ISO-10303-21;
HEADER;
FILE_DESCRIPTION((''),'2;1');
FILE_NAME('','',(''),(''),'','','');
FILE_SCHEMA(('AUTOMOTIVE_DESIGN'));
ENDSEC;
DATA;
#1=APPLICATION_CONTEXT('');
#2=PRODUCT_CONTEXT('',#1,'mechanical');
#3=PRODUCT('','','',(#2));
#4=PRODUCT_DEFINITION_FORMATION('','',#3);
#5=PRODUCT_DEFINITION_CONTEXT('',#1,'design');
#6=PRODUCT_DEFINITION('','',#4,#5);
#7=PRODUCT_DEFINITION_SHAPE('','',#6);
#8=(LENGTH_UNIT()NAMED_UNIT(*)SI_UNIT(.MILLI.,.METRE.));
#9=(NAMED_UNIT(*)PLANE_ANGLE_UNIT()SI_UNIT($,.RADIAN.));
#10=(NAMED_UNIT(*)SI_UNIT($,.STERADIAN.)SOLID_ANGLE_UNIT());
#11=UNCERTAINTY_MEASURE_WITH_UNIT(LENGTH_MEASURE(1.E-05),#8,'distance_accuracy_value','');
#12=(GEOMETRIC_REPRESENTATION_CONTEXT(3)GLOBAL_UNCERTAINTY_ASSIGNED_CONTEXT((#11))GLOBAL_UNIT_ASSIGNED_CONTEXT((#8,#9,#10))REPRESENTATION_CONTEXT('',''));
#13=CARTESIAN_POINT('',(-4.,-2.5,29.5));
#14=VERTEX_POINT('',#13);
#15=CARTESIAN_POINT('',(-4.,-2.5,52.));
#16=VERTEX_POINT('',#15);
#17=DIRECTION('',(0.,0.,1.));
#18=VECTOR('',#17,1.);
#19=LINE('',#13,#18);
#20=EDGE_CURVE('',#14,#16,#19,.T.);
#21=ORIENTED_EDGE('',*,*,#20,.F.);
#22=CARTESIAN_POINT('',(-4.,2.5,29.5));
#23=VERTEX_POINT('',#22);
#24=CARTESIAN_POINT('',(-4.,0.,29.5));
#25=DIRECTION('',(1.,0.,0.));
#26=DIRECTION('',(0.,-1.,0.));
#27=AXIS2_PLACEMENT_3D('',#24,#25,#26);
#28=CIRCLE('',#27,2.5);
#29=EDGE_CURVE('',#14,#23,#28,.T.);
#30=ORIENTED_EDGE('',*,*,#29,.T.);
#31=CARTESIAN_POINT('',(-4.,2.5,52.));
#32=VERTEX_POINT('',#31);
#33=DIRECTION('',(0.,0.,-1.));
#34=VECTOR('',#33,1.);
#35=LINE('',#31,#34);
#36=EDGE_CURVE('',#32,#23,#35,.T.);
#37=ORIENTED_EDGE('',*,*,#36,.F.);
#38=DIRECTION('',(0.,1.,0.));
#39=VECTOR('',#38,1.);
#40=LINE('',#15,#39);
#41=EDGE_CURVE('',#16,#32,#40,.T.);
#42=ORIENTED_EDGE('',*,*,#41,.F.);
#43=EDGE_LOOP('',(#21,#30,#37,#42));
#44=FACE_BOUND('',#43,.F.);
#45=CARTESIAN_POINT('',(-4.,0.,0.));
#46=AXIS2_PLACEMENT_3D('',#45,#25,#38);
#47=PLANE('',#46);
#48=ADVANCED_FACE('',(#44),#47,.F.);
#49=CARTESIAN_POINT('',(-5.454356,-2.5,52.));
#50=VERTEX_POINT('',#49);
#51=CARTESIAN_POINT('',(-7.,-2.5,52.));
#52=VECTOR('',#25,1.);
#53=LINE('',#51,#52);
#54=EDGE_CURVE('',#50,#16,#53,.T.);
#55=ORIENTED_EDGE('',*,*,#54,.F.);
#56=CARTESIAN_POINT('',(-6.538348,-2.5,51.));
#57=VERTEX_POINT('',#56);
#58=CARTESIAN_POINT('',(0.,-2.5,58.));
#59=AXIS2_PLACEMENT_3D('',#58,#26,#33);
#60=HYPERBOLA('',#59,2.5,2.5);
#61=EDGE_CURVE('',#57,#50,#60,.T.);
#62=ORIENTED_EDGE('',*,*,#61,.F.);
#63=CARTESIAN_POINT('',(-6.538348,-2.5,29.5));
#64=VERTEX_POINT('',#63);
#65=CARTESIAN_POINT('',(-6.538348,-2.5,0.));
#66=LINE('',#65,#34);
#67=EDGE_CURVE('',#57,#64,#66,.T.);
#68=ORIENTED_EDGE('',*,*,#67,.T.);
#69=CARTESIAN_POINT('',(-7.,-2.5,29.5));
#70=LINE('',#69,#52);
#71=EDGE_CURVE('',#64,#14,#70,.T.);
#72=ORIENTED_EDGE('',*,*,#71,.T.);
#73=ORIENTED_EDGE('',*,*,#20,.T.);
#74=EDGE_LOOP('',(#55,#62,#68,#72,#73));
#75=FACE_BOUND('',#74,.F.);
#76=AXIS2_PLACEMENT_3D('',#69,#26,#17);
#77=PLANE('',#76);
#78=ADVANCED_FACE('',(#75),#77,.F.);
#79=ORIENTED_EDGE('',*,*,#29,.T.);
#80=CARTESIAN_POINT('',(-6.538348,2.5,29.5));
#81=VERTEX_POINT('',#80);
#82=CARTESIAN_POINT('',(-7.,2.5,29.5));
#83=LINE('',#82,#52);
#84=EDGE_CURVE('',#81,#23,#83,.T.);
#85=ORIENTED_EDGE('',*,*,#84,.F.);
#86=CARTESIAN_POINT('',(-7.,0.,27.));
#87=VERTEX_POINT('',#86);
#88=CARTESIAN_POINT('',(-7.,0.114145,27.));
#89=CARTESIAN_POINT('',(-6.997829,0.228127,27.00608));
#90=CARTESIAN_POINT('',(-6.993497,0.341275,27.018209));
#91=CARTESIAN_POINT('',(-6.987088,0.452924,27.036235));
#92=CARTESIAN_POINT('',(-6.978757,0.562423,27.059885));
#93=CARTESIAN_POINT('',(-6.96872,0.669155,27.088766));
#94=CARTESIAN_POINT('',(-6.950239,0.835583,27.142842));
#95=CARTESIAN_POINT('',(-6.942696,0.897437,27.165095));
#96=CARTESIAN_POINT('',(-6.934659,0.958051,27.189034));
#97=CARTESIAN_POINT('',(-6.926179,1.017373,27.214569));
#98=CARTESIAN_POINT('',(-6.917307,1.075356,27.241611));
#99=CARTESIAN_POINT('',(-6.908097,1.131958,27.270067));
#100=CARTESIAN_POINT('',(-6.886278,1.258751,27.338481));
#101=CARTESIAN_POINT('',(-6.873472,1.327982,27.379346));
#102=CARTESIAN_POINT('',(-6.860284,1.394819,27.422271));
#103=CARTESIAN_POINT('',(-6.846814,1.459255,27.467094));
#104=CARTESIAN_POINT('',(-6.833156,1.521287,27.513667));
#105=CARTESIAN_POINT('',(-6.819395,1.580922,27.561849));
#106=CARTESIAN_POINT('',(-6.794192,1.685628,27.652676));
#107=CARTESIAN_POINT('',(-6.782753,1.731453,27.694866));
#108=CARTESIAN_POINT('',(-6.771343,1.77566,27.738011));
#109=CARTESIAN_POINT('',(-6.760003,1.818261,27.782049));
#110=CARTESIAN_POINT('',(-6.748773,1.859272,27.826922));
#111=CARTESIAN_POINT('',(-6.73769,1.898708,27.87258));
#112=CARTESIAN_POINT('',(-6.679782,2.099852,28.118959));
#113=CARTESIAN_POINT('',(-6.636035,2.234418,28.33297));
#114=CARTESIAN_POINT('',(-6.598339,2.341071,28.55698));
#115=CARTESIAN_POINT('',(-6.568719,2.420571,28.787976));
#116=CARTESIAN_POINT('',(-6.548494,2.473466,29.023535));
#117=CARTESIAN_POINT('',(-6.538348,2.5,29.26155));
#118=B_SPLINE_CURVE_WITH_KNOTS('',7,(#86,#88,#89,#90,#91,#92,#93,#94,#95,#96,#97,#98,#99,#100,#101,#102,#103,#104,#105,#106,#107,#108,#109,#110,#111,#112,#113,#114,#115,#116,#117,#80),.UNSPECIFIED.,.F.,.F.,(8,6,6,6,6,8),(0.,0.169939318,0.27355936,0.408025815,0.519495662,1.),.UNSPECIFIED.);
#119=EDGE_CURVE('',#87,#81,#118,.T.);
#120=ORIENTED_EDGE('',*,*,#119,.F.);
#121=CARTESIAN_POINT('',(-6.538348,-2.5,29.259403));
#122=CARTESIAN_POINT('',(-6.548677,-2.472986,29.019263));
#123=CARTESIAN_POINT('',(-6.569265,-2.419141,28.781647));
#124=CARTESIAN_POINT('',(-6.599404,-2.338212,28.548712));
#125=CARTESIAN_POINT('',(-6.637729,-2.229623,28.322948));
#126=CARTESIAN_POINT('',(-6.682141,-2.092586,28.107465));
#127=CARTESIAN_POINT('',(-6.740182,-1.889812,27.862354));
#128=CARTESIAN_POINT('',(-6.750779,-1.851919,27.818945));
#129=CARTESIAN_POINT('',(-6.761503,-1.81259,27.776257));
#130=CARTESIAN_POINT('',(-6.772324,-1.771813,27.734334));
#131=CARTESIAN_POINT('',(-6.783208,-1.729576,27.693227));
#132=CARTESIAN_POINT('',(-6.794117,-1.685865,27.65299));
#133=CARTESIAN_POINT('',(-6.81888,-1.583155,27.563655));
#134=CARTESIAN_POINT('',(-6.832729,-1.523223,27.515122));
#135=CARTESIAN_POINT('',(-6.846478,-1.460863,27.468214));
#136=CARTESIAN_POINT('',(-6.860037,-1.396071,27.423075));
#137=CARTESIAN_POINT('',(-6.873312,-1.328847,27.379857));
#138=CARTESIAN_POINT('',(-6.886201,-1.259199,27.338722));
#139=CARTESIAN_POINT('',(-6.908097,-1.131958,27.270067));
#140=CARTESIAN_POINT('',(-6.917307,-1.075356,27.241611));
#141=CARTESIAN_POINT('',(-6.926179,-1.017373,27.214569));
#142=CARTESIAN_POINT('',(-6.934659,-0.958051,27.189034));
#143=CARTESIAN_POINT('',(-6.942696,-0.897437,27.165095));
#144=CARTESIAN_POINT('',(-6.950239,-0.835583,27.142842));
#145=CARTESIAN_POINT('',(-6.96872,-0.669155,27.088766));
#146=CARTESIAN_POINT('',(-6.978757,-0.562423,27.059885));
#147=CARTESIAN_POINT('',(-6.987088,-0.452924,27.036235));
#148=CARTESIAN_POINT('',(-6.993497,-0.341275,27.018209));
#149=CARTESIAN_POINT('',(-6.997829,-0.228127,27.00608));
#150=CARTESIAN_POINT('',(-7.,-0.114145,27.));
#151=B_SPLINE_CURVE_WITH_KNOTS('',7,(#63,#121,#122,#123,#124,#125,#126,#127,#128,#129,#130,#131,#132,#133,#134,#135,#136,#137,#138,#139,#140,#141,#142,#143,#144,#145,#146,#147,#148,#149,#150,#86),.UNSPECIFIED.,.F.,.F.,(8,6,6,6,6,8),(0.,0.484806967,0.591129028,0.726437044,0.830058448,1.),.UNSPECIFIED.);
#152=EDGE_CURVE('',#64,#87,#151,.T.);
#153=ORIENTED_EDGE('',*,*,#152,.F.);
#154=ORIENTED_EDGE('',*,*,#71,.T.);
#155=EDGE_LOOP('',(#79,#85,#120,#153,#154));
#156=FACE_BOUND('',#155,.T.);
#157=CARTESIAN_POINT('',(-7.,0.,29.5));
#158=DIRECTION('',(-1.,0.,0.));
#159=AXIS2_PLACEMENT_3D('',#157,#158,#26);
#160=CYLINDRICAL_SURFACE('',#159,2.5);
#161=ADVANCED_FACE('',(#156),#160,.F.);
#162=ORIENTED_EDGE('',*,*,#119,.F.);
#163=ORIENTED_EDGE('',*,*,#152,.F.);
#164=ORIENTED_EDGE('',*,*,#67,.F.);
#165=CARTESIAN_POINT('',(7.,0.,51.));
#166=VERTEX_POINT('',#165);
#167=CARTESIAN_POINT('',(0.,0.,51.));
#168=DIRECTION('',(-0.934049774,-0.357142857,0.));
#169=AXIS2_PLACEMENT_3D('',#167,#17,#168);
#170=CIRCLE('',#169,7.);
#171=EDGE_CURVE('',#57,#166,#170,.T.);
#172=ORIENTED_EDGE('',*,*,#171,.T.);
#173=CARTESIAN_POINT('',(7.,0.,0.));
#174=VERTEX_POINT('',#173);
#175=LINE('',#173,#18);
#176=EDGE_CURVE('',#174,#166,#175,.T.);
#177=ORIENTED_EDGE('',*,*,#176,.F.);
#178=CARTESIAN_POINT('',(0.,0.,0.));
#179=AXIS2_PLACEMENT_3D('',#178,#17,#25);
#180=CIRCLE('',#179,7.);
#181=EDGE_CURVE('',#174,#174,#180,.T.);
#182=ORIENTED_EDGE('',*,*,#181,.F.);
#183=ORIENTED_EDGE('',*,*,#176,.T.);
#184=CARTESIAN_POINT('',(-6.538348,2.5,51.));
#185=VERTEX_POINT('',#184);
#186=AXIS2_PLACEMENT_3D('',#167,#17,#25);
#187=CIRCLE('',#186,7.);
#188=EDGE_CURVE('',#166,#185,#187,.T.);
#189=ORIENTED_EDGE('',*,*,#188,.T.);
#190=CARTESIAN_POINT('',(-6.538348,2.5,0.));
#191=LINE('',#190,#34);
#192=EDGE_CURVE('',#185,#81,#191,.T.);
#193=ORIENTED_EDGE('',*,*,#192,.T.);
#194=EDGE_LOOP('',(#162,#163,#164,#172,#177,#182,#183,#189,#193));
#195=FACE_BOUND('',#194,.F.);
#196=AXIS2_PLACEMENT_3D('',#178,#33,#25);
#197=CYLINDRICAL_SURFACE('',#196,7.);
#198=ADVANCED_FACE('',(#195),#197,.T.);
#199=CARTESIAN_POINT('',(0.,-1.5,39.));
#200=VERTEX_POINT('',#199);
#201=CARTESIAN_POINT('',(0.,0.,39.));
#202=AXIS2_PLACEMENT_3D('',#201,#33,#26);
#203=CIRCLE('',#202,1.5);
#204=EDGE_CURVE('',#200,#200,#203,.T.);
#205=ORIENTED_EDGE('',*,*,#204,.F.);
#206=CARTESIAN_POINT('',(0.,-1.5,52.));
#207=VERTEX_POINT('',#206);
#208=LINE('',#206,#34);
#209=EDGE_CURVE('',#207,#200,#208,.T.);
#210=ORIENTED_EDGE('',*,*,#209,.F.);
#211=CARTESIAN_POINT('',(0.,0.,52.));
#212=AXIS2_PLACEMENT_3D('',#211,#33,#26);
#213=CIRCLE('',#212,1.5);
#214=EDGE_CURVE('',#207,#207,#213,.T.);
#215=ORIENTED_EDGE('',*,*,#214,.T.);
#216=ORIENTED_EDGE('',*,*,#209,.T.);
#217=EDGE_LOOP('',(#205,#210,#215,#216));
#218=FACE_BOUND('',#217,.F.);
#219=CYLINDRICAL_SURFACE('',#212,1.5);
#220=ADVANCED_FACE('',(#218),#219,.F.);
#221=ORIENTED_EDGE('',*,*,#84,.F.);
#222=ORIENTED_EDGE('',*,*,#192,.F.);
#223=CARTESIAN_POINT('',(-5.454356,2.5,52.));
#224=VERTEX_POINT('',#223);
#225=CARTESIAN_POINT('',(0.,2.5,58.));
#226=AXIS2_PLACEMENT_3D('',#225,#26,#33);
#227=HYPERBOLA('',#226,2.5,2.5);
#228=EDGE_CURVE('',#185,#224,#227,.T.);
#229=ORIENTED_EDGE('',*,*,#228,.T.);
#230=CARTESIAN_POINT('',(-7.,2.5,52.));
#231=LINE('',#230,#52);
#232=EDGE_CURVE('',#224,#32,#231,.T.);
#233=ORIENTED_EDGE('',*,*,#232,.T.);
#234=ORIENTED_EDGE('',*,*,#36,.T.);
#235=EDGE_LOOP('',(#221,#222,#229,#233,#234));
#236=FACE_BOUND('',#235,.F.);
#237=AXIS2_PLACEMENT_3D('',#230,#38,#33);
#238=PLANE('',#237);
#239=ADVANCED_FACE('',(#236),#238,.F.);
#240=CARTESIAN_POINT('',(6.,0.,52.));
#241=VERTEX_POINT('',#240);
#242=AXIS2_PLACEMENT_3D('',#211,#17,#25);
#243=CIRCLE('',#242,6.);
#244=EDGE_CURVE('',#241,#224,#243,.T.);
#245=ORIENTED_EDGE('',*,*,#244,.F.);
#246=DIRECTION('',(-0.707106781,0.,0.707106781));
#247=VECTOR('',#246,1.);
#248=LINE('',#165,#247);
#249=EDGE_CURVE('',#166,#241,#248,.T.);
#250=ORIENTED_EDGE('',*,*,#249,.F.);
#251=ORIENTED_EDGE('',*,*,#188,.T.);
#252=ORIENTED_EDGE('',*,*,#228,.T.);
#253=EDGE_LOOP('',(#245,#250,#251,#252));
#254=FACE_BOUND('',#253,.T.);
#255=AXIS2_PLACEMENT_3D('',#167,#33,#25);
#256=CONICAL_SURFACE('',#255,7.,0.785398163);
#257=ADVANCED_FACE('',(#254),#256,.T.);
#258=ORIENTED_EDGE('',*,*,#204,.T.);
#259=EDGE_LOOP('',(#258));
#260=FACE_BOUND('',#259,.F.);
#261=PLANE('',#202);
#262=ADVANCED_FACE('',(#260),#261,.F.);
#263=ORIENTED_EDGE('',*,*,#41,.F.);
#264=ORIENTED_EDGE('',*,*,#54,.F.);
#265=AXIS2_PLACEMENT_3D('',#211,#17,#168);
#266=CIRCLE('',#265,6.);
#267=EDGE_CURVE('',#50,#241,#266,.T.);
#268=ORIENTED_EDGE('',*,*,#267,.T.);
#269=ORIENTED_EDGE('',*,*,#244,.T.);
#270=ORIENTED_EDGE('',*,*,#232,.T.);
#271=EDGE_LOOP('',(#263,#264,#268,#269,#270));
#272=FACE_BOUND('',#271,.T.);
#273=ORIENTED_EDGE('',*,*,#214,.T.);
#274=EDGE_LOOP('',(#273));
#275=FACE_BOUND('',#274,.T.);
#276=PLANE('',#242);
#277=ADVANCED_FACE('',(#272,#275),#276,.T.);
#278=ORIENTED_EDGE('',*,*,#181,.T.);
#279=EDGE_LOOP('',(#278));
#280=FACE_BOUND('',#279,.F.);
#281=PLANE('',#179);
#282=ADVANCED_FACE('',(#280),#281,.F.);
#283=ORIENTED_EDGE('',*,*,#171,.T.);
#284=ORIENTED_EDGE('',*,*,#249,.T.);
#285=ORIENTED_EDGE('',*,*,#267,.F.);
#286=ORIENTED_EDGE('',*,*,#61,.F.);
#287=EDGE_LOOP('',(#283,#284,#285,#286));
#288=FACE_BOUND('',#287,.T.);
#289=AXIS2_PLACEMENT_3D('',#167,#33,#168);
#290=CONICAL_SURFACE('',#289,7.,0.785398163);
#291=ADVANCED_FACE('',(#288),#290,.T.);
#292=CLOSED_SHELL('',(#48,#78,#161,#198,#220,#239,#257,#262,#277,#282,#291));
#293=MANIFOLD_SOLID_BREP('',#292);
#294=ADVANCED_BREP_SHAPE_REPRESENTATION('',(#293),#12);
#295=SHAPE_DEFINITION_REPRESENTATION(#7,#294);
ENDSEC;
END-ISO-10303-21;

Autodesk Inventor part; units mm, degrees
ref_plane "XZ Plane" through (0, 0, 0) normal (0, 1, 0) x (-1, 0, 0)
ref_plane "XY Plane" through (0, 0, 0) normal (0, 0, 1) x (1, 0, 0)
sketch "Sketch1" plane through (0, 0, 0) normal (0, 0, 1) x (1, 0, 0)
  circle A0 centre (0, 0) radius 7
  dimension "d0" = 14
extrude "Extrusion1" add sketch "Sketch1" along normal blind 52
hole "Hole1" at (0, 0, 52) direction (0, 0, -1) diameter 3 depth 13
ref_plane "Work Plane1" through (-7, 0, 0) normal (1, 0, 0) x (0, 1, 0)
sketch "Sketch2" plane through (-7, 0, 0) normal (1, 0, 0) x (0, 1, 0)
  line L0 (-2.5, 29.5) -> (-2.5, 52)
  line L1 (-2.5, 52) -> (2.5, 52)
  line L2 (2.5, 52) -> (2.5, 29.5)
  line L3 (7, 52) -> (-7, 52) projected
  line L4 (7, 52) -> (-7, 52) projected
  line L5 (-7, 0) -> (7, 0) projected
  line L6 (7, 0) -> (7, 52) projected
  line L7 (-7, 0) -> (-7, 52) projected
  arc A0 (-2.5, 29.5) -> (2.5, 29.5) centre (0, 29.5) ccw
  point P0 (0, 0)
  point P1 (0, 27)
  dimension "d12" = 5
  dimension "d14" = 0
extrude "Extrusion2" cut sketch "Sketch2" along normal blind 3 contours L0 L1 L2 A0
chamfer "Chamfer1" distance 1 angle 45 2 edges at (1.2711, -6.8836, 52) (1.2711, 6.8836, 52)
properties part number "Shaft" material "Steel"
